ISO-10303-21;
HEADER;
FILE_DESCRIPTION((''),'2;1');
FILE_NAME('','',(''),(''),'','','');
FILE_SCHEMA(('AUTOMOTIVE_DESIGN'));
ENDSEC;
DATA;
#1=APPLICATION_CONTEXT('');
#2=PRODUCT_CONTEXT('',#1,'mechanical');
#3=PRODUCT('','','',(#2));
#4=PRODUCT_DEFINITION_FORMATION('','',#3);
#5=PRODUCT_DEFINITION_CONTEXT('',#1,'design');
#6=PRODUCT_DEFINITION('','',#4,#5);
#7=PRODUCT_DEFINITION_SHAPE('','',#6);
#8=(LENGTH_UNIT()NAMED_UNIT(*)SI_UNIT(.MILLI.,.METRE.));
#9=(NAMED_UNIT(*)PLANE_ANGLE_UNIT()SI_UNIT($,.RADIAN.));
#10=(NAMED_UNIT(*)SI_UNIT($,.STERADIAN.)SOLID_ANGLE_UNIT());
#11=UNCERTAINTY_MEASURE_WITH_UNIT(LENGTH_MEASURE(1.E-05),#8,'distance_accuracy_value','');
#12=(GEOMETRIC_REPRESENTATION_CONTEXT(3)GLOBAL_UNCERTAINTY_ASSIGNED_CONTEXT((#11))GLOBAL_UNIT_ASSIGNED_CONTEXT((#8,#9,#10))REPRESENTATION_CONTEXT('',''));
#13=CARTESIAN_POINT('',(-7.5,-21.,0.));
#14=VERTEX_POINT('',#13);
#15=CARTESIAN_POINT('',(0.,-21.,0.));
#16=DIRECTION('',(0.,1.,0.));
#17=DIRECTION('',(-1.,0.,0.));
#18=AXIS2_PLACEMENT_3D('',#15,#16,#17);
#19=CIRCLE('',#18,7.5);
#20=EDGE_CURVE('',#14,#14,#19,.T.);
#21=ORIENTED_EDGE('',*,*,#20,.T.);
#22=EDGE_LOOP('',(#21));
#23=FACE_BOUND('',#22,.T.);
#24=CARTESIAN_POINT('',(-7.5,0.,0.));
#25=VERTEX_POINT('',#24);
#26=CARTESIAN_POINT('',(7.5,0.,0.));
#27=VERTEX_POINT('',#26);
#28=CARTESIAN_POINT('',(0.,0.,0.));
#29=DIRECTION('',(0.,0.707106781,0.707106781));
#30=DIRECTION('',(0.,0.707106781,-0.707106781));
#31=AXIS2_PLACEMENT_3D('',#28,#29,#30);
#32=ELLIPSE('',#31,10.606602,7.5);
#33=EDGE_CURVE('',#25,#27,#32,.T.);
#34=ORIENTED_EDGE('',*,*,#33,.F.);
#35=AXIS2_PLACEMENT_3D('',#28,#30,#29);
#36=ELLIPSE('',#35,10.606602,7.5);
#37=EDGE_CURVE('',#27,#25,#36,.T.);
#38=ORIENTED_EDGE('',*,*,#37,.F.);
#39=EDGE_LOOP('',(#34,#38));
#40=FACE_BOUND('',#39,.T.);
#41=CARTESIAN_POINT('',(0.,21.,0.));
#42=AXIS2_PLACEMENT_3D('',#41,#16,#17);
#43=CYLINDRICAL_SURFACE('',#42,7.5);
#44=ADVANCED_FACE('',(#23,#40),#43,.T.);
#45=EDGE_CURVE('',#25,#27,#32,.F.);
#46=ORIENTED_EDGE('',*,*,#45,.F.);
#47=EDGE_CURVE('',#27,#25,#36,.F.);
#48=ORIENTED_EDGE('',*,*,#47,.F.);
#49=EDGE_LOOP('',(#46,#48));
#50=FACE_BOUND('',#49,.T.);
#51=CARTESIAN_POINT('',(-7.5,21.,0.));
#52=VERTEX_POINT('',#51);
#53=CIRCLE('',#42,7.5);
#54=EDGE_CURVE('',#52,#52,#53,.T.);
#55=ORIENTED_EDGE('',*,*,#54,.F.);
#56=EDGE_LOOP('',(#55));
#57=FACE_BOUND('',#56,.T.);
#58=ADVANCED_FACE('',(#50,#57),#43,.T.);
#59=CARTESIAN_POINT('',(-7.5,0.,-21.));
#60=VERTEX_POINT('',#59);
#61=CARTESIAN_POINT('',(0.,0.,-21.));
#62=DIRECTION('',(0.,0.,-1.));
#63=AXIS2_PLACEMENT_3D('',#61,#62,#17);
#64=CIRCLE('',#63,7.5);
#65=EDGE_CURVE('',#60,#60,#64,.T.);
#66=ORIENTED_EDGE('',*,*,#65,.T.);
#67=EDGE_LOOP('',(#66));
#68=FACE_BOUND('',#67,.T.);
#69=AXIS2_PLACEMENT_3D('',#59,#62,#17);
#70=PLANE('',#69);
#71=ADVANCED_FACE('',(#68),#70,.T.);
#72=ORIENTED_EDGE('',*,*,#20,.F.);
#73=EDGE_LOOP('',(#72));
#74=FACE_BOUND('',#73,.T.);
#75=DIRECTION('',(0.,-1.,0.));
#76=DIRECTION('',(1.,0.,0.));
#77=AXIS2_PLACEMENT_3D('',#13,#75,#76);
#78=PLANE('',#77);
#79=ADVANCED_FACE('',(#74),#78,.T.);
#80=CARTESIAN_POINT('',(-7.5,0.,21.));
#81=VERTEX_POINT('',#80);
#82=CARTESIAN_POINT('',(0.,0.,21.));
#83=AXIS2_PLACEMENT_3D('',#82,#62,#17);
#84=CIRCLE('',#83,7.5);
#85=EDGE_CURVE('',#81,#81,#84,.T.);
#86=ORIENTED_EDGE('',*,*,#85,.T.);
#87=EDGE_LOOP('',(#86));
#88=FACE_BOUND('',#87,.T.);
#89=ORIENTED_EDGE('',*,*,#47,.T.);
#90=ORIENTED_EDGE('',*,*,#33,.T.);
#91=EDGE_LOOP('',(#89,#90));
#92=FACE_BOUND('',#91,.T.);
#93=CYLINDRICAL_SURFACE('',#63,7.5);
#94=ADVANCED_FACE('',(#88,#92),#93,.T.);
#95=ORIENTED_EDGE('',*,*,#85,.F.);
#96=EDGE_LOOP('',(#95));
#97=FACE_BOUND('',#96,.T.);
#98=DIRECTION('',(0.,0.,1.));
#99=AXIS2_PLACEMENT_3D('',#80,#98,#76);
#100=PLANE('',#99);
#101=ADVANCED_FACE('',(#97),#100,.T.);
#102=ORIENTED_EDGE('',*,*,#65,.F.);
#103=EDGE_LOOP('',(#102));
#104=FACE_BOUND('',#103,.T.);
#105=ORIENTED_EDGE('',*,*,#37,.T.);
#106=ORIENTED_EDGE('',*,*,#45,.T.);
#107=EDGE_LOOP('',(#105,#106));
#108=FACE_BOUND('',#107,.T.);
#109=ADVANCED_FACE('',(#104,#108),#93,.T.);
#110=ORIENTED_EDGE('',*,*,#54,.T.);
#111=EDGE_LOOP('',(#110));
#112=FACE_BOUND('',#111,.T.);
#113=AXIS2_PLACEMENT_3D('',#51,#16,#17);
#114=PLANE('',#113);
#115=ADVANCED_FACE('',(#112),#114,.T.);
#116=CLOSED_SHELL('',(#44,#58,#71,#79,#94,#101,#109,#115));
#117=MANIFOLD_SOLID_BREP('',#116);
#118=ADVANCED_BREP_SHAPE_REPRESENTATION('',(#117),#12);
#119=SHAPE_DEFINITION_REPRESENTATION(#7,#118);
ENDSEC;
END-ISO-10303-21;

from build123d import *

# Parameters (mm, degrees)
SKETCH1_W = 7.5
SKETCH1_H = 42
SKETCH2_W = 7.5
SKETCH2_H = 42


with BuildPart() as part:
    # Sketch1 → Revolve1 (revolve)
    with BuildSketch(Plane.XY):
        with Locations((-3.75, 0)):
            Rectangle(SKETCH1_W, SKETCH1_H)
    revolve(axis=Axis((0, 21, 0), (0, -1, 0)))

    # Sketch2 → Revolve2 (revolve)
    with BuildSketch(Plane(origin=(0, 0, 0), x_dir=(1, 0, 0), z_dir=(0, 1, 0))):
        with Locations((-3.75, 0)):
            Rectangle(SKETCH2_W, SKETCH2_H)
    revolve(axis=Axis((0, 0, -21), (0, 0, 1)))


solid = part.part
